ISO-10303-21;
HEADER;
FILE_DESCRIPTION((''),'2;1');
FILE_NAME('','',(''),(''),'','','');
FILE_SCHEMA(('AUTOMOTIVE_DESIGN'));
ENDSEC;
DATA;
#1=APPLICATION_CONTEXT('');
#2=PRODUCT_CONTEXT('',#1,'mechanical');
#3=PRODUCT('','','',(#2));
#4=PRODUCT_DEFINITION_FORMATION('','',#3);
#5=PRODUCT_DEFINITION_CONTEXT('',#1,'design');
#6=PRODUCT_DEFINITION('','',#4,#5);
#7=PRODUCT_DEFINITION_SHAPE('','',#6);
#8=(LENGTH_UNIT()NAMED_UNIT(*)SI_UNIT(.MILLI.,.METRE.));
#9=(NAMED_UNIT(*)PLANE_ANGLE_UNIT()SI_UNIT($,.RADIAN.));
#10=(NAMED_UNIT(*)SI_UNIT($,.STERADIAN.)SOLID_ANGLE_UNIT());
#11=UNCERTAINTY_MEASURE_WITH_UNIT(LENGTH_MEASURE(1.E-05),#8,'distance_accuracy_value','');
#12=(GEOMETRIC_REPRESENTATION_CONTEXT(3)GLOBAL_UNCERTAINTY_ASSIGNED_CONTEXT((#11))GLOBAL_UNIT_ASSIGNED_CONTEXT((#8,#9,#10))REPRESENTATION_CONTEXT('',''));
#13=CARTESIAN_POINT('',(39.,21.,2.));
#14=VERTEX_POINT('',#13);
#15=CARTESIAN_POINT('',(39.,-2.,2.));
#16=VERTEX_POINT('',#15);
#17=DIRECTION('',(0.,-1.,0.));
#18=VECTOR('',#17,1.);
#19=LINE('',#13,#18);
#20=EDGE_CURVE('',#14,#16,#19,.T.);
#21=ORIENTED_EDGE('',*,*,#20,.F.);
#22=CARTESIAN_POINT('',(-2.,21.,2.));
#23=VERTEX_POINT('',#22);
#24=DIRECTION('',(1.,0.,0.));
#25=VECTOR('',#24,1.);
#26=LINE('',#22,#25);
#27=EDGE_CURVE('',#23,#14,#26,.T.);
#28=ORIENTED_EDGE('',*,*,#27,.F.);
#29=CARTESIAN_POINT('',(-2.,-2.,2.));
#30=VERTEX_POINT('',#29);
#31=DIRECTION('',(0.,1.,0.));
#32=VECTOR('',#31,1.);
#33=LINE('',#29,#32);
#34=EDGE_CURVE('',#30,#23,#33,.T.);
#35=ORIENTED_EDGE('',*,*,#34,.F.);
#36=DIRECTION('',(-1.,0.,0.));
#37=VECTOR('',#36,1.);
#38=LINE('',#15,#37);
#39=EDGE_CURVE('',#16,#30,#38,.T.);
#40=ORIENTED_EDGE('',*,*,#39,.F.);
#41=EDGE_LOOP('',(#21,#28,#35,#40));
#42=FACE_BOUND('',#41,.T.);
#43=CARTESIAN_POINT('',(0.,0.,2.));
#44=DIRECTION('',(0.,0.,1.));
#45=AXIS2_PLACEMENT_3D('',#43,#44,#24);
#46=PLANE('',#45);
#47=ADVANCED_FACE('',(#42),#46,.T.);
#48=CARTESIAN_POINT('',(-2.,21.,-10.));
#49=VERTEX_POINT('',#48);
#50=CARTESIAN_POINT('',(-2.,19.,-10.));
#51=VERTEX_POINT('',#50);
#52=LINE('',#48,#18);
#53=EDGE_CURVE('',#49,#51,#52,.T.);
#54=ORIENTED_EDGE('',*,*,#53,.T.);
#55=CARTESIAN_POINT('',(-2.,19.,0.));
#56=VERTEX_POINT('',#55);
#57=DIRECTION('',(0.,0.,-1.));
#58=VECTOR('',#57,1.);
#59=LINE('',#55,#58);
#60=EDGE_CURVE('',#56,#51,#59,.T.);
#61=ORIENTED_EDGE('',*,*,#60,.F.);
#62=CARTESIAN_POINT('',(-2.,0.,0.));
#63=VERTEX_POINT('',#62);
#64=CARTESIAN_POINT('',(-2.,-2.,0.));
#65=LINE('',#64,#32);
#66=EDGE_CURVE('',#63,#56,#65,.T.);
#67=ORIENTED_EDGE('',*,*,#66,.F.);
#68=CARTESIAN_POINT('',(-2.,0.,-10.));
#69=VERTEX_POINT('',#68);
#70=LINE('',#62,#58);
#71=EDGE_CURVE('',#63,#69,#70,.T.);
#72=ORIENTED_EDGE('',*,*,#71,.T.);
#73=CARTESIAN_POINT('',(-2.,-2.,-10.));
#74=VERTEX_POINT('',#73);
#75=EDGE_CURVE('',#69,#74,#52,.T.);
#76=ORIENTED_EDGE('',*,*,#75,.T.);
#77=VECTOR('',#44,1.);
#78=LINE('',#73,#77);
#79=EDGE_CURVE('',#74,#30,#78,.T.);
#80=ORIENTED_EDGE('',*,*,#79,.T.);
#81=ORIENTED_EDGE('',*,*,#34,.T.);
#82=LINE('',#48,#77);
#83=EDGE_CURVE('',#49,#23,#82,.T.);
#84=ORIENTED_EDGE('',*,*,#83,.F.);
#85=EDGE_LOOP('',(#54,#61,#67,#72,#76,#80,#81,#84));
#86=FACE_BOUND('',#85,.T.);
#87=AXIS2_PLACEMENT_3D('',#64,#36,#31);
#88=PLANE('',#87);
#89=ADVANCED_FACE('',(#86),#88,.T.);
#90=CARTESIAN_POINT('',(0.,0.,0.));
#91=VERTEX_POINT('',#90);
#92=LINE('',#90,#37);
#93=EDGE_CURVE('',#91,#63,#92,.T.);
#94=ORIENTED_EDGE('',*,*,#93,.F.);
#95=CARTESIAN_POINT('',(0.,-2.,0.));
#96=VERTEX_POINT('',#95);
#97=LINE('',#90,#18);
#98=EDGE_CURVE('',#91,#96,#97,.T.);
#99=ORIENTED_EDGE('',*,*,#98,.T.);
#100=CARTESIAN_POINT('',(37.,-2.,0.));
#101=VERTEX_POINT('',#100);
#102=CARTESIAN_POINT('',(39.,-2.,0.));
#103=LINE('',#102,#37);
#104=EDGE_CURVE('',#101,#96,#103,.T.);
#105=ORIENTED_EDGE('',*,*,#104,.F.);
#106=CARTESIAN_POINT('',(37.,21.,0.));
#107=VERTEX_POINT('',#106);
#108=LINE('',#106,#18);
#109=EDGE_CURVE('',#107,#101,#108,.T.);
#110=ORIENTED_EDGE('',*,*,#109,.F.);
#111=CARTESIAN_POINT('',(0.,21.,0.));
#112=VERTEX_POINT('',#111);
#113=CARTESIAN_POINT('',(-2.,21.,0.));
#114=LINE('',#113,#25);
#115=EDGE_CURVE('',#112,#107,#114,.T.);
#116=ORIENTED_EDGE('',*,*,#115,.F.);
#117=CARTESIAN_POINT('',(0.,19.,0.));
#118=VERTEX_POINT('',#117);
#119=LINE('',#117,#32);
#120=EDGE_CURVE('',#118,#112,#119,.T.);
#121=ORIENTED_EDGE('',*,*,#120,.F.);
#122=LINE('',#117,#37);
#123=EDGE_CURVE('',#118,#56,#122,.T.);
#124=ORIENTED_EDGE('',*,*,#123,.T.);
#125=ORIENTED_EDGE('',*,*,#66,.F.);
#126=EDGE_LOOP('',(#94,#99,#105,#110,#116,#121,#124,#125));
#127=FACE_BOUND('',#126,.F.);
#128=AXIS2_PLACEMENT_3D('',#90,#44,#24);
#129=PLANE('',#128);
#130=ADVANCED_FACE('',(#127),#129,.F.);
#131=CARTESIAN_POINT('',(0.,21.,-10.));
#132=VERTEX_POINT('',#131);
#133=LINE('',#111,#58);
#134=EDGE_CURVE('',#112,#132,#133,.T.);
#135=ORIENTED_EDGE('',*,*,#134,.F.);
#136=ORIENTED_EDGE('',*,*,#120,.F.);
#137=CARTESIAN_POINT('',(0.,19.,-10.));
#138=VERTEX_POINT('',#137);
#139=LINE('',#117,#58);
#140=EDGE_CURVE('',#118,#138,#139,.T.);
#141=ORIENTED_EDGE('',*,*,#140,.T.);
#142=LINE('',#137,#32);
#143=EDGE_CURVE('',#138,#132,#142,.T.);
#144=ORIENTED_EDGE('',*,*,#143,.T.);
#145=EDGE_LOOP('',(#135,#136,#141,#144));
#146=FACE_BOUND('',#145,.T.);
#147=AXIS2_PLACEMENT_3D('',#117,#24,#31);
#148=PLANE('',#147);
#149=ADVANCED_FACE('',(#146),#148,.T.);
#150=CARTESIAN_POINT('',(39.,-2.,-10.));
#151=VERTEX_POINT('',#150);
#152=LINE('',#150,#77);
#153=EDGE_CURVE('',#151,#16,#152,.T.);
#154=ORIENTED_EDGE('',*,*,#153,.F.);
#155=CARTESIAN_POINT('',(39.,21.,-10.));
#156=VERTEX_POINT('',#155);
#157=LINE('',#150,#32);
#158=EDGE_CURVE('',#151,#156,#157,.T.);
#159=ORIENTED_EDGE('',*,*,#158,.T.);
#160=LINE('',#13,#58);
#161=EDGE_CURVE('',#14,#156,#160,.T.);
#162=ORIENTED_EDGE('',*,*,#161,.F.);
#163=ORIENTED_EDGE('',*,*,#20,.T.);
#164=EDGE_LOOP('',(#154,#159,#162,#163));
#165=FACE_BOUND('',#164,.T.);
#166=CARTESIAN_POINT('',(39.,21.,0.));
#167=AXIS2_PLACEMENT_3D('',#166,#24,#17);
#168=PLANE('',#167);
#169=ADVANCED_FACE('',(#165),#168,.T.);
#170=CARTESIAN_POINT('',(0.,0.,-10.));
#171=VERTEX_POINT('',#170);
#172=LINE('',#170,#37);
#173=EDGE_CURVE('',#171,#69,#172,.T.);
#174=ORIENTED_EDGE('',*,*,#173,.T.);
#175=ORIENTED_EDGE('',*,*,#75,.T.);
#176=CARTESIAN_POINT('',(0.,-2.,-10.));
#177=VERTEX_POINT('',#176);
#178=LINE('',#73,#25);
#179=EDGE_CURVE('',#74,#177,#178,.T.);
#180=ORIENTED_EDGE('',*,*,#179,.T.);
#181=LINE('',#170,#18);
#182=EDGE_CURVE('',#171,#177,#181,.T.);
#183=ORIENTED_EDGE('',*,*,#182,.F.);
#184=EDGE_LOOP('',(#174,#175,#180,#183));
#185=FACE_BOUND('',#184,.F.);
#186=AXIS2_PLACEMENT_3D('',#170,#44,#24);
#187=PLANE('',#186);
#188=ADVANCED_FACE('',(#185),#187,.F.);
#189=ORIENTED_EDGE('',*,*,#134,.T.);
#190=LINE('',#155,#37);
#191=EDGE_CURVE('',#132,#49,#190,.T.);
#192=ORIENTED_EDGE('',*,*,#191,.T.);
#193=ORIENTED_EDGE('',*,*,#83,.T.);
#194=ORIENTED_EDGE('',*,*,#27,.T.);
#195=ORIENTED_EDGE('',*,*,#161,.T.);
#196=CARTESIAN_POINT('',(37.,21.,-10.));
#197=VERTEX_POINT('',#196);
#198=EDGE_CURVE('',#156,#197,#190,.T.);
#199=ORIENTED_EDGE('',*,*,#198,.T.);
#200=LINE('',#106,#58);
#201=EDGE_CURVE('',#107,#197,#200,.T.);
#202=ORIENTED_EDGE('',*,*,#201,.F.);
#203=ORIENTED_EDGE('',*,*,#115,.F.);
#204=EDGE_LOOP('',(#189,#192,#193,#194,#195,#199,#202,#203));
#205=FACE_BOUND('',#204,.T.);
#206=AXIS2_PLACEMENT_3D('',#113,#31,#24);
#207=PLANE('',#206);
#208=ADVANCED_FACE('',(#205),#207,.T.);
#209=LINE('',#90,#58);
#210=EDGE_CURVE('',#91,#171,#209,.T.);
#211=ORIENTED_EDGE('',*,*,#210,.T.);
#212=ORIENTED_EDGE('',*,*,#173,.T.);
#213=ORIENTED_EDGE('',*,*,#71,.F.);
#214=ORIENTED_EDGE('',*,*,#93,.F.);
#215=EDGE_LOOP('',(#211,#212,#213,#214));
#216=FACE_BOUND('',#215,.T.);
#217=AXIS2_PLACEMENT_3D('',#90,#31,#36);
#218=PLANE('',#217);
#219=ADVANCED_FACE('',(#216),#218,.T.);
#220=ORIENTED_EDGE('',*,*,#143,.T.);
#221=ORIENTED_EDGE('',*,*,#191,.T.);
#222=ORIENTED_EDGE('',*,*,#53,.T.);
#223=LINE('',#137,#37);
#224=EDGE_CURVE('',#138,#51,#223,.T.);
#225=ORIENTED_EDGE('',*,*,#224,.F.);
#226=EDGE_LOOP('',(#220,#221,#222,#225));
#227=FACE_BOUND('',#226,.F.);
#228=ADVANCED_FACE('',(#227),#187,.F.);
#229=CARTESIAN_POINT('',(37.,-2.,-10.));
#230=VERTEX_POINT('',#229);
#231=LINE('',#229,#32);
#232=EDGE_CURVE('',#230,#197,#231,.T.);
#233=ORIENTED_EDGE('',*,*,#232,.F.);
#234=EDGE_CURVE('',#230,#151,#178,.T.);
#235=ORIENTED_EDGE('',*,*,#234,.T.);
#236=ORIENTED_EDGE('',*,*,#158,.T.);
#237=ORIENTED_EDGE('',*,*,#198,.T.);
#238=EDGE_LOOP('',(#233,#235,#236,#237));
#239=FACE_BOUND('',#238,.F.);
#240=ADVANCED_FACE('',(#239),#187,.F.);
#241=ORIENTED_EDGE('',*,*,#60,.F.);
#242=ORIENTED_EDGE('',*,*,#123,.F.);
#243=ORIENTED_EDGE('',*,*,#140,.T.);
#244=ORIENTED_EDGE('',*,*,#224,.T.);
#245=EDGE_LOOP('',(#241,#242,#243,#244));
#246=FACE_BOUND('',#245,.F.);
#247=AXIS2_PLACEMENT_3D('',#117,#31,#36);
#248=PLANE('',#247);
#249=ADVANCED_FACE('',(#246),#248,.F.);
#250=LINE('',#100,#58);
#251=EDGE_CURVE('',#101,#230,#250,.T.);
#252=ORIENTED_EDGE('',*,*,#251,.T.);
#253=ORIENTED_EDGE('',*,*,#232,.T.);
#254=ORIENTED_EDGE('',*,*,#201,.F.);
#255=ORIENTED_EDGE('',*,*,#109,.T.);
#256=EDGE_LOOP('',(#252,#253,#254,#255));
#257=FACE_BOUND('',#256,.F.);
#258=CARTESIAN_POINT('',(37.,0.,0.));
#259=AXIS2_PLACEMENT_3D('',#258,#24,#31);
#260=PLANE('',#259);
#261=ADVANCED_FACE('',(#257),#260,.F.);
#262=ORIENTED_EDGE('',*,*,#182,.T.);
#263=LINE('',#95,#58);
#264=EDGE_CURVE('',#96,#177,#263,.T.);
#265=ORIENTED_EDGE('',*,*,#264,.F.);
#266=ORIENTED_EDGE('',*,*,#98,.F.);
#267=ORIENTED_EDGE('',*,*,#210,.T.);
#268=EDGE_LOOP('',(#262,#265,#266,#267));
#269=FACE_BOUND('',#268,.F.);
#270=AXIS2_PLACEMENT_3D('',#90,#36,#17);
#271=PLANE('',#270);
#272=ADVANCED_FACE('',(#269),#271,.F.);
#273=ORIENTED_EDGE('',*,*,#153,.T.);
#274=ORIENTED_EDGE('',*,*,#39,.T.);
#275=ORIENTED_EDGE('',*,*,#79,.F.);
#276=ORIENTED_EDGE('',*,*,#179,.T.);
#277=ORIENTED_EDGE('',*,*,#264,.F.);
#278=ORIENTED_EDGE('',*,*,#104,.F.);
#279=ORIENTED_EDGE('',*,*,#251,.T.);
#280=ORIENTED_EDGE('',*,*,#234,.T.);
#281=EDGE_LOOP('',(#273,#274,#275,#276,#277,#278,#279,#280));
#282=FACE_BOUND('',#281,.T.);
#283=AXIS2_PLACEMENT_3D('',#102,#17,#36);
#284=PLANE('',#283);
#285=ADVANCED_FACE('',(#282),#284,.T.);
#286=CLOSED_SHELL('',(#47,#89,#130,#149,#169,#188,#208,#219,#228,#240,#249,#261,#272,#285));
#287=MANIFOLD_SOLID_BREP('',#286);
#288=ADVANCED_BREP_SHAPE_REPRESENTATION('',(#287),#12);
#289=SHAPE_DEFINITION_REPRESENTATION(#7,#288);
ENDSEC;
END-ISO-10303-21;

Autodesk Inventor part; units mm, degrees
ref_plane "YZ Plane" through (0, 0, 0) normal (1, 0, 0) x (0, 1, 0)
ref_plane "XZ Plane" through (0, 0, 0) normal (0, 1, 0) x (-1, 0, 0)
ref_plane "XY Plane" through (0, 0, 0) normal (0, 0, 1) x (1, 0, 0)
sketch "スケッチ2" plane through (0, 0, 0) normal (0, 0, 1) x (1, 0, 0)
  line L0 (0, 19) -> (32, 19)
  line L1 (37, 19) -> (32, 19)
  line L2 (37, 0) -> (37, 19)
  line L3 (37, 0) -> (32, 0)
  line L4 (0, 0) -> (32, 0)
  line L5 (0, 0) -> (0, 9)
  line L6 (0, 9) -> (0, 19)
  line L7 (39, 21) -> (-2, 21)
  line L8 (-2, 21) -> (-2, -2)
  line L9 (-2, -2) -> (39, -2)
  line L10 (39, -2) -> (39, 21)
  line L11 (37, 0) -> (39, 0)
  line L12 (37, 0) -> (37, -2)
  line L13 (37, 19) -> (39, 19)
  line L14 (37, 19) -> (37, 21)
  line L15 (0, 19) -> (-2, 19)
  line L16 (0, 19) -> (0, 21)
  line L17 (0, 0) -> (-2, 0)
  line L18 (0, 0) -> (0, -2)
extrude "押し出し1" add sketch "スケッチ2" against normal blind 10 contours L15 L8 L7 L16 | L13 L10 L11 L2 | L14 L7 L10 L13 | L18 L9 L8 L17 | L11 L10 L9 L12
sketch "スケッチ3" plane through (0, 0, 0) normal (0, 0, 1) x (1, 0, 0)
  line L0 (-2, 21) -> (0, 21) projected
  line L1 (39, 21) -> (39, -2) projected
  line L2 (-2, 21) -> (39, 21)
  line L3 (39, 21) -> (39, -2)
  line L4 (39, -2) -> (-2, -2)
  line L5 (-2, -2) -> (-2, 21)
  point P0 (0, 0)
extrude "押し出し2" add sketch "スケッチ3" along normal blind 2
properties part number "モーターホルダー試作２"
